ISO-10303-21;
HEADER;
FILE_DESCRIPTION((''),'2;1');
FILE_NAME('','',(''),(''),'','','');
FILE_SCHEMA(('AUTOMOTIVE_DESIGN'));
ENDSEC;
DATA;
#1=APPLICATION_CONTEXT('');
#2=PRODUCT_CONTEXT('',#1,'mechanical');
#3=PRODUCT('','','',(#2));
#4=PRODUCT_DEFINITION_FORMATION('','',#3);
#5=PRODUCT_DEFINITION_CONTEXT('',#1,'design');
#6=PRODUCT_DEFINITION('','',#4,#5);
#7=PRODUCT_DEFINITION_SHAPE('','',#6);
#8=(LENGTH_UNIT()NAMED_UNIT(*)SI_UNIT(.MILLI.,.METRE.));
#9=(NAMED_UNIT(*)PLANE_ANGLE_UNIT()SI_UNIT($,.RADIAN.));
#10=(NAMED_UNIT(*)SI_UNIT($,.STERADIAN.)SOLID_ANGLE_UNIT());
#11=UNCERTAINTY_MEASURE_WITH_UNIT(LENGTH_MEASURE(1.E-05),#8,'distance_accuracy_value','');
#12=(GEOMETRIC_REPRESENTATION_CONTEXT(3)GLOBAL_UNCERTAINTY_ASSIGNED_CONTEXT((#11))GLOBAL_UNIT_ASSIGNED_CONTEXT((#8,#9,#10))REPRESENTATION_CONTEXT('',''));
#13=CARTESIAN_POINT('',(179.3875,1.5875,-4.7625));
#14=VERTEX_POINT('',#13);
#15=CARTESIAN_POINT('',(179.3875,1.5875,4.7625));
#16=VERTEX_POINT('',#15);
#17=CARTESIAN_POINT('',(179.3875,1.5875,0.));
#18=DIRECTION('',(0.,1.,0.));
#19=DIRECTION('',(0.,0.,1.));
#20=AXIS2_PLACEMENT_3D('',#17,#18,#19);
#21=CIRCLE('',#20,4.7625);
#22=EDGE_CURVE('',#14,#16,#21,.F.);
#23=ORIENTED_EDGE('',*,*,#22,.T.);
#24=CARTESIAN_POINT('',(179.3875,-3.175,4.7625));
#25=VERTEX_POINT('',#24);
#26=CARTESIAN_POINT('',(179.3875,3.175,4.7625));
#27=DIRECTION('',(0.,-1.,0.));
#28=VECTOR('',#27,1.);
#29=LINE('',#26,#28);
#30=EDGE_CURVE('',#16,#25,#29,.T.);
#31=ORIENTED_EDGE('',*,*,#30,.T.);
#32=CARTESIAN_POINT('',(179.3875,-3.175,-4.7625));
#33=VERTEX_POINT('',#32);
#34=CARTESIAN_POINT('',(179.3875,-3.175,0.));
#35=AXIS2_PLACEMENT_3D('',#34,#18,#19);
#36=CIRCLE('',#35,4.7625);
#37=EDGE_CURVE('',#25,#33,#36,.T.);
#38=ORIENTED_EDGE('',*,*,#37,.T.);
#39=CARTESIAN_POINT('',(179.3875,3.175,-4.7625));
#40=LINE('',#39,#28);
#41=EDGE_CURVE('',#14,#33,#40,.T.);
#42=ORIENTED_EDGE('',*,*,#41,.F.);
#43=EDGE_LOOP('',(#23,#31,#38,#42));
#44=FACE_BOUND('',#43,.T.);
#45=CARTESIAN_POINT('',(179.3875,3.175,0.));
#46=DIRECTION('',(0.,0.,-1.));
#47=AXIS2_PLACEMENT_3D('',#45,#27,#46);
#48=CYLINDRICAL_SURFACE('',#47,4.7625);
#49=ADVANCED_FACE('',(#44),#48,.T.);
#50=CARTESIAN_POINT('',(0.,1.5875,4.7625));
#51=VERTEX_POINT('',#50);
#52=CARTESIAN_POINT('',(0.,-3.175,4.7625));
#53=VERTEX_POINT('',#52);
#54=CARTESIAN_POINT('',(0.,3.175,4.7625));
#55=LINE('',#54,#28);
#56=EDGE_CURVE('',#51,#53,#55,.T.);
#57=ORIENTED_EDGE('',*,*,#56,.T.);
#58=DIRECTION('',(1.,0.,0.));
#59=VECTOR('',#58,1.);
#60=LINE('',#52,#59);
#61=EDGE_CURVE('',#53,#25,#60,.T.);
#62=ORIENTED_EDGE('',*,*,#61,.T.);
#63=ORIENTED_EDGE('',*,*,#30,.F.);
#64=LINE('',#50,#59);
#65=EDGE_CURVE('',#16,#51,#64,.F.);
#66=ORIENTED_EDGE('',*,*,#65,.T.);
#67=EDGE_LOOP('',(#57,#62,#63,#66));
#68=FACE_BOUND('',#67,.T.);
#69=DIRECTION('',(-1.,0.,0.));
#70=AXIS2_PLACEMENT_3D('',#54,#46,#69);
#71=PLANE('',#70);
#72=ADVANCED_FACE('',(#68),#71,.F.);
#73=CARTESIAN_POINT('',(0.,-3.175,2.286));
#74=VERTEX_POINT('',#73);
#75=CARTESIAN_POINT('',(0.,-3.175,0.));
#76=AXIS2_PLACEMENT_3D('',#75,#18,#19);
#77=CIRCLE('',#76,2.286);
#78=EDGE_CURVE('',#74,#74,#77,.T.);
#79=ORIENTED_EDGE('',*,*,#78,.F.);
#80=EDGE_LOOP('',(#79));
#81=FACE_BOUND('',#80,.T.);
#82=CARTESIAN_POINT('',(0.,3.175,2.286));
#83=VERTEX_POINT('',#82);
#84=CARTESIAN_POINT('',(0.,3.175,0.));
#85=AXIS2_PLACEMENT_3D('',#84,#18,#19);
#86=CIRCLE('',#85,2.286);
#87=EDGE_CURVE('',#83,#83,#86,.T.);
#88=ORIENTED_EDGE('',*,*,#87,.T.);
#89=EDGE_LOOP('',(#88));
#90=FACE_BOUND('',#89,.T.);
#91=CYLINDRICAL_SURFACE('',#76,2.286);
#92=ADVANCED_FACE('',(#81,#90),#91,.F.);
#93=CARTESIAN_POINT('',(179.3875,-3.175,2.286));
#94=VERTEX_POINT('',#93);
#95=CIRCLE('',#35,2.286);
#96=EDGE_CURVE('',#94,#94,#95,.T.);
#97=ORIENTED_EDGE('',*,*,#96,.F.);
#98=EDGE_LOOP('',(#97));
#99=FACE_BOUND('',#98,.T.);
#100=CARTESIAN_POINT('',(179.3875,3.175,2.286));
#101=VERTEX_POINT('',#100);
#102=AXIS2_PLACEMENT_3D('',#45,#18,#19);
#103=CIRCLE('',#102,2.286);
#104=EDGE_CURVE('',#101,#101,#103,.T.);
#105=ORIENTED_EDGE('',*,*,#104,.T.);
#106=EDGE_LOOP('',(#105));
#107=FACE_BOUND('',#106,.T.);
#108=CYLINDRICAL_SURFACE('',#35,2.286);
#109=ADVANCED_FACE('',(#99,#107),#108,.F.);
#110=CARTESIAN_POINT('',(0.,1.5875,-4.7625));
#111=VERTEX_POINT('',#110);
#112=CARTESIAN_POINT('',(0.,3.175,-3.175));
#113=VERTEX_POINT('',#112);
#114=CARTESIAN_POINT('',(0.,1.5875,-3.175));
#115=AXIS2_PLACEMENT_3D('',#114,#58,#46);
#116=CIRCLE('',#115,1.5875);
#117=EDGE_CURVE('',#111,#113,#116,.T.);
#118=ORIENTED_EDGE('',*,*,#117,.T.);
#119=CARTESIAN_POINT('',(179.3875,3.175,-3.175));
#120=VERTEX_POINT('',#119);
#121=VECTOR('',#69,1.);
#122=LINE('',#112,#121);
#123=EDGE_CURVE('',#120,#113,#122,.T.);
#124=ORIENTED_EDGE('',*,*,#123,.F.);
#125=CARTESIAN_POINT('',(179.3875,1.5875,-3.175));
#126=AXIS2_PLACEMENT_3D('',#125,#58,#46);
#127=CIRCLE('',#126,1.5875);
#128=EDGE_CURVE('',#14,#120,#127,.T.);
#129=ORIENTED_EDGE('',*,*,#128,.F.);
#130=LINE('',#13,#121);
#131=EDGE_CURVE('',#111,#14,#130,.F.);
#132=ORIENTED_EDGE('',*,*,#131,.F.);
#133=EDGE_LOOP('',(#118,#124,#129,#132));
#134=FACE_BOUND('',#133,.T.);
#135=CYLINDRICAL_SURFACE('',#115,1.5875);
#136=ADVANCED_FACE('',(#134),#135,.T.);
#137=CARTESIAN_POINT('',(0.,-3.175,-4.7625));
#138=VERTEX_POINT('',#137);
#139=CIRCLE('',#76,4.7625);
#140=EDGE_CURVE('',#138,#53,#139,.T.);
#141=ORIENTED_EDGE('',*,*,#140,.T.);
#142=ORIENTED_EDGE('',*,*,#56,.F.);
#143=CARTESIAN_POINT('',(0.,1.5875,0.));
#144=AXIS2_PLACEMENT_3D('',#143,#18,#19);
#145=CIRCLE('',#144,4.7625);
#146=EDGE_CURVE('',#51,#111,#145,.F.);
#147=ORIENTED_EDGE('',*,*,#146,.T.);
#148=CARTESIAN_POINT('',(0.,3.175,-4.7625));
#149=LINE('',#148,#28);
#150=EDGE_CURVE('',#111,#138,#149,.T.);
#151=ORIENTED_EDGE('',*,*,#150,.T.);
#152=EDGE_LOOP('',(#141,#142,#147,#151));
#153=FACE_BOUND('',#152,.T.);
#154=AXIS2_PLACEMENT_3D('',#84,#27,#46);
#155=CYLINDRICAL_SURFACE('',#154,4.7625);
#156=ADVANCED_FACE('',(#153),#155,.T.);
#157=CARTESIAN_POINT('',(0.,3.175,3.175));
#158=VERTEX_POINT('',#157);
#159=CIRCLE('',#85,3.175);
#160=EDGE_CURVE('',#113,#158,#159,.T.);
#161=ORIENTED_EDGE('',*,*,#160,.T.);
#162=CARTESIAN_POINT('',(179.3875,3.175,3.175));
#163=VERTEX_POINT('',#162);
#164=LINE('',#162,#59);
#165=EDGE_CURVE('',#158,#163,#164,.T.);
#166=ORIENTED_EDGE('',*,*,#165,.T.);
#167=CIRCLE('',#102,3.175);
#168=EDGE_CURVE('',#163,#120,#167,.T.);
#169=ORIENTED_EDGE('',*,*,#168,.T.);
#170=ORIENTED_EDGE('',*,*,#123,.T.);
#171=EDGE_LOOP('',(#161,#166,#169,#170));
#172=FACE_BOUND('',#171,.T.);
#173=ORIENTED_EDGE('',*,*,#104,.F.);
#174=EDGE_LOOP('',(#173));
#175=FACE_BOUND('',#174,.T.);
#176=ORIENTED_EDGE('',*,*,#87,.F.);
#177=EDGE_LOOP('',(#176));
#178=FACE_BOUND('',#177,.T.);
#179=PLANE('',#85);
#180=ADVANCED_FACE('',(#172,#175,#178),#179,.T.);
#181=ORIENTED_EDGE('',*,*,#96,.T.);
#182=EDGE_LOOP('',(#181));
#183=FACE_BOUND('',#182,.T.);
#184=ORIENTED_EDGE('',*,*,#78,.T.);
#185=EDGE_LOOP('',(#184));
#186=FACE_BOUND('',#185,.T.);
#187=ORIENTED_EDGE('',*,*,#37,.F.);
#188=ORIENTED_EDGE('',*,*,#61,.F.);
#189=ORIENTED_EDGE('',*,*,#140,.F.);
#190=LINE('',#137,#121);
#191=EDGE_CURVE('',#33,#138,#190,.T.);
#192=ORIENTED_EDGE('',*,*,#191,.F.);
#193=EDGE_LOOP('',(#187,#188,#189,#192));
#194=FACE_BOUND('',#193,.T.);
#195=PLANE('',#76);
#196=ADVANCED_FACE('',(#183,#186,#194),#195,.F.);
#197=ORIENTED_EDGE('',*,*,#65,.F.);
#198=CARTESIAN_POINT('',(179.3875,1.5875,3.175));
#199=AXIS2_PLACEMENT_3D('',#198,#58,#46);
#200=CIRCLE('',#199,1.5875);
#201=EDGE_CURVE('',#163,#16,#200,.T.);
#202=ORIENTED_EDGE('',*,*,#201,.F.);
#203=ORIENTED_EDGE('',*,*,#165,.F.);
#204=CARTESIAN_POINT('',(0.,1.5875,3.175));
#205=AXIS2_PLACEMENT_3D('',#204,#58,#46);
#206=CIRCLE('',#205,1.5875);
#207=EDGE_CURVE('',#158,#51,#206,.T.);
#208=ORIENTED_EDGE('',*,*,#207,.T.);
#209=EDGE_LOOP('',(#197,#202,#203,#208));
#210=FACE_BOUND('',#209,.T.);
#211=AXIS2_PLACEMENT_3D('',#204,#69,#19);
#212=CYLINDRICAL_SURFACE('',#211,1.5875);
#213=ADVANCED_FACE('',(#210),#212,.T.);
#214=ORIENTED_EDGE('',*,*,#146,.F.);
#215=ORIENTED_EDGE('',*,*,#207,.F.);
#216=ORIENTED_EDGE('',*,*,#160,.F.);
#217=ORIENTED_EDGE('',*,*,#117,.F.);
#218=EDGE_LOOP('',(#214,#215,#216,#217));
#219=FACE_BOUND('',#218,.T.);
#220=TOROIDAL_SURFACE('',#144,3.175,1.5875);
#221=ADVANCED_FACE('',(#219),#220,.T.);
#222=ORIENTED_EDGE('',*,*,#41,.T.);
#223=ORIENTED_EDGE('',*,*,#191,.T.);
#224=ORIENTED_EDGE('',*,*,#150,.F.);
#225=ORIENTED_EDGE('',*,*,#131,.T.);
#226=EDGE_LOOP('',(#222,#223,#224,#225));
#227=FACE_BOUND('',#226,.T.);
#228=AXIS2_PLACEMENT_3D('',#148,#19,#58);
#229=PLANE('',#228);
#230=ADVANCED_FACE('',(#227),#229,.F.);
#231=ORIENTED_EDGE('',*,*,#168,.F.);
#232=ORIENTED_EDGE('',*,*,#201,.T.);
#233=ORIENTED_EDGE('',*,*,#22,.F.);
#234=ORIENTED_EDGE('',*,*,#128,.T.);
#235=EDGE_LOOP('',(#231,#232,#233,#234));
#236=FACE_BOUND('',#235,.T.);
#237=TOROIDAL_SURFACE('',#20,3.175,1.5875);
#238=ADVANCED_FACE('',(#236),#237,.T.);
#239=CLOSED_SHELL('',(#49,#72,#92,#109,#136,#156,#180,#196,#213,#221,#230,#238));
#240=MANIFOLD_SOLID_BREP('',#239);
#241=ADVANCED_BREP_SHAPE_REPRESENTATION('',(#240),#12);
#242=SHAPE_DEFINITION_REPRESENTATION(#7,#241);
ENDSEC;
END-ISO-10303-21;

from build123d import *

# Parameters (mm, degrees)
BOSS_EXTRUDE1_DEPTH = 3.175
SKETCH2_R           = 2.286
CUT_EXTRUDE1_DEPTH  = 185.320987428
FILLET1_R           = 1.5875


with BuildPart() as part:
    # Sketch1 → Boss-Extrude1 (new, symmetric)
    with BuildSketch(Plane(origin=(0, 0, 0), x_dir=(1, 0, 0), z_dir=(0, 1, 0))):
        with BuildLine():
            Line((0, 4.7625), (179.3875, 4.7625))
            ThreePointArc((179.3875, 4.7625), (184.15, 0), (179.3875, -4.7625))
            Line((179.3875, -4.7625), (0, -4.7625))
            ThreePointArc((0, -4.7625), (-4.7625, 0), (0, 4.7625))
        make_face()
    extrude(amount=BOSS_EXTRUDE1_DEPTH, both=True)

    # Sketch2 → Cut-Extrude1 (cut, through all)
    with BuildSketch(Plane(origin=(0, 3.175, 0), x_dir=(1, 0, 0), z_dir=(0, 1, 0))):
        with Locations(Location((0, 0, 0), (0, 0, 270))):
            Circle(SKETCH2_R)
        with Locations(Location((179.3875, 0, 0), (0, 0, 270))):
            Circle(SKETCH2_R)
    extrude(amount=-CUT_EXTRUDE1_DEPTH, mode=Mode.SUBTRACT)

    # Fillet1
    fillet1_edges = [part.edges().sort_by_distance(p)[0] for p in [
        (184.15, 3.175, 0),
        (89.69375, 3.175, -4.7625),
        (-4.7625, 3.175, 0),
        (89.69375, 3.175, 4.7625),
    ]]
    fillet(fillet1_edges, radius=FILLET1_R)


solid = part.part
